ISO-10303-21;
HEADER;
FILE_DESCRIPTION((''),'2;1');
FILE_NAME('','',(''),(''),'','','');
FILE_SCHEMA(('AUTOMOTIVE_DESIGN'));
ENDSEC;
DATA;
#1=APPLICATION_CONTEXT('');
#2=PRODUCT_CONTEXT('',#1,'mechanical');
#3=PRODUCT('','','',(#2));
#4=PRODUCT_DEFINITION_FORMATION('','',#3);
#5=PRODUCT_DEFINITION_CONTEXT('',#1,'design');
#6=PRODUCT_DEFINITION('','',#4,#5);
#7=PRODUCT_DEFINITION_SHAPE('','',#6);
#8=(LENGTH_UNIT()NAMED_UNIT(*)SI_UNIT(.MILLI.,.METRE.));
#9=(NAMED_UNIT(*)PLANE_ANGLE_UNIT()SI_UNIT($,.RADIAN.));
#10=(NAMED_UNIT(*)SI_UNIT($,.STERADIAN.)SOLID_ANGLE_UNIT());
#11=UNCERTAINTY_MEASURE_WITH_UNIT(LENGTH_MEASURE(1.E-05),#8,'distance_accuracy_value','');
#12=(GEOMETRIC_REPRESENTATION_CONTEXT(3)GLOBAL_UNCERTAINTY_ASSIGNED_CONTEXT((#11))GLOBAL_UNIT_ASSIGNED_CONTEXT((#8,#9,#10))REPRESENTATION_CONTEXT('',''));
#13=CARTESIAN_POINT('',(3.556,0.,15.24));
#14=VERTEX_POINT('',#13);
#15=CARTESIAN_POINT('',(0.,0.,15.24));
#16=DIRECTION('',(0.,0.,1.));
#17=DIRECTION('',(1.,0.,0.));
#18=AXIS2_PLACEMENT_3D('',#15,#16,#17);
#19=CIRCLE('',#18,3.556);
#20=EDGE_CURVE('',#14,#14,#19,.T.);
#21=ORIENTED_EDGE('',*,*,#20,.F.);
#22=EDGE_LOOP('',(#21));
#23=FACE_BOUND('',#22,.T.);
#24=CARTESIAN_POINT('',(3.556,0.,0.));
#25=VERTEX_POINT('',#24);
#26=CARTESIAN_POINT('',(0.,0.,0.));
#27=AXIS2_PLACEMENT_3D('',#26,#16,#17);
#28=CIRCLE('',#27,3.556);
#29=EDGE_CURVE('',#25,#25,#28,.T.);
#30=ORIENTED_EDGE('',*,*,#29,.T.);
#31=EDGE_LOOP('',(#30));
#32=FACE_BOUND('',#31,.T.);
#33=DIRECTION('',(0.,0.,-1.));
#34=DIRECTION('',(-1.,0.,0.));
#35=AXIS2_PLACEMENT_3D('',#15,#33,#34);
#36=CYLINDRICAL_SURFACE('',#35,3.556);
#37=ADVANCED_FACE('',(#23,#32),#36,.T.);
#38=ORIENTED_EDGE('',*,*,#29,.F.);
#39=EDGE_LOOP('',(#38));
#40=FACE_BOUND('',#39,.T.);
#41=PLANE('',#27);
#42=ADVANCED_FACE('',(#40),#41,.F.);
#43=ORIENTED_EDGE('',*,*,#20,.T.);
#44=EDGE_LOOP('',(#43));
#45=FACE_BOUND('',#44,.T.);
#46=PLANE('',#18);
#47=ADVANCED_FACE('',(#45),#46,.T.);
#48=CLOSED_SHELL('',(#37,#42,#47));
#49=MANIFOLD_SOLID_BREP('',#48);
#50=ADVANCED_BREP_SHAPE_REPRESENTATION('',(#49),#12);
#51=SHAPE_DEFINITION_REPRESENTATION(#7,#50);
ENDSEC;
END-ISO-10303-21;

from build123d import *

# Parameters (mm, degrees)
SKETCH1_R           = 3.556
BOSS_EXTRUDE1_DEPTH = 15.24


with BuildPart() as part:
    # Sketch1 → Boss-Extrude1 (new body)
    with BuildSketch(Plane.XY):
        Circle(SKETCH1_R)
    extrude(amount=BOSS_EXTRUDE1_DEPTH)


solid = part.part
